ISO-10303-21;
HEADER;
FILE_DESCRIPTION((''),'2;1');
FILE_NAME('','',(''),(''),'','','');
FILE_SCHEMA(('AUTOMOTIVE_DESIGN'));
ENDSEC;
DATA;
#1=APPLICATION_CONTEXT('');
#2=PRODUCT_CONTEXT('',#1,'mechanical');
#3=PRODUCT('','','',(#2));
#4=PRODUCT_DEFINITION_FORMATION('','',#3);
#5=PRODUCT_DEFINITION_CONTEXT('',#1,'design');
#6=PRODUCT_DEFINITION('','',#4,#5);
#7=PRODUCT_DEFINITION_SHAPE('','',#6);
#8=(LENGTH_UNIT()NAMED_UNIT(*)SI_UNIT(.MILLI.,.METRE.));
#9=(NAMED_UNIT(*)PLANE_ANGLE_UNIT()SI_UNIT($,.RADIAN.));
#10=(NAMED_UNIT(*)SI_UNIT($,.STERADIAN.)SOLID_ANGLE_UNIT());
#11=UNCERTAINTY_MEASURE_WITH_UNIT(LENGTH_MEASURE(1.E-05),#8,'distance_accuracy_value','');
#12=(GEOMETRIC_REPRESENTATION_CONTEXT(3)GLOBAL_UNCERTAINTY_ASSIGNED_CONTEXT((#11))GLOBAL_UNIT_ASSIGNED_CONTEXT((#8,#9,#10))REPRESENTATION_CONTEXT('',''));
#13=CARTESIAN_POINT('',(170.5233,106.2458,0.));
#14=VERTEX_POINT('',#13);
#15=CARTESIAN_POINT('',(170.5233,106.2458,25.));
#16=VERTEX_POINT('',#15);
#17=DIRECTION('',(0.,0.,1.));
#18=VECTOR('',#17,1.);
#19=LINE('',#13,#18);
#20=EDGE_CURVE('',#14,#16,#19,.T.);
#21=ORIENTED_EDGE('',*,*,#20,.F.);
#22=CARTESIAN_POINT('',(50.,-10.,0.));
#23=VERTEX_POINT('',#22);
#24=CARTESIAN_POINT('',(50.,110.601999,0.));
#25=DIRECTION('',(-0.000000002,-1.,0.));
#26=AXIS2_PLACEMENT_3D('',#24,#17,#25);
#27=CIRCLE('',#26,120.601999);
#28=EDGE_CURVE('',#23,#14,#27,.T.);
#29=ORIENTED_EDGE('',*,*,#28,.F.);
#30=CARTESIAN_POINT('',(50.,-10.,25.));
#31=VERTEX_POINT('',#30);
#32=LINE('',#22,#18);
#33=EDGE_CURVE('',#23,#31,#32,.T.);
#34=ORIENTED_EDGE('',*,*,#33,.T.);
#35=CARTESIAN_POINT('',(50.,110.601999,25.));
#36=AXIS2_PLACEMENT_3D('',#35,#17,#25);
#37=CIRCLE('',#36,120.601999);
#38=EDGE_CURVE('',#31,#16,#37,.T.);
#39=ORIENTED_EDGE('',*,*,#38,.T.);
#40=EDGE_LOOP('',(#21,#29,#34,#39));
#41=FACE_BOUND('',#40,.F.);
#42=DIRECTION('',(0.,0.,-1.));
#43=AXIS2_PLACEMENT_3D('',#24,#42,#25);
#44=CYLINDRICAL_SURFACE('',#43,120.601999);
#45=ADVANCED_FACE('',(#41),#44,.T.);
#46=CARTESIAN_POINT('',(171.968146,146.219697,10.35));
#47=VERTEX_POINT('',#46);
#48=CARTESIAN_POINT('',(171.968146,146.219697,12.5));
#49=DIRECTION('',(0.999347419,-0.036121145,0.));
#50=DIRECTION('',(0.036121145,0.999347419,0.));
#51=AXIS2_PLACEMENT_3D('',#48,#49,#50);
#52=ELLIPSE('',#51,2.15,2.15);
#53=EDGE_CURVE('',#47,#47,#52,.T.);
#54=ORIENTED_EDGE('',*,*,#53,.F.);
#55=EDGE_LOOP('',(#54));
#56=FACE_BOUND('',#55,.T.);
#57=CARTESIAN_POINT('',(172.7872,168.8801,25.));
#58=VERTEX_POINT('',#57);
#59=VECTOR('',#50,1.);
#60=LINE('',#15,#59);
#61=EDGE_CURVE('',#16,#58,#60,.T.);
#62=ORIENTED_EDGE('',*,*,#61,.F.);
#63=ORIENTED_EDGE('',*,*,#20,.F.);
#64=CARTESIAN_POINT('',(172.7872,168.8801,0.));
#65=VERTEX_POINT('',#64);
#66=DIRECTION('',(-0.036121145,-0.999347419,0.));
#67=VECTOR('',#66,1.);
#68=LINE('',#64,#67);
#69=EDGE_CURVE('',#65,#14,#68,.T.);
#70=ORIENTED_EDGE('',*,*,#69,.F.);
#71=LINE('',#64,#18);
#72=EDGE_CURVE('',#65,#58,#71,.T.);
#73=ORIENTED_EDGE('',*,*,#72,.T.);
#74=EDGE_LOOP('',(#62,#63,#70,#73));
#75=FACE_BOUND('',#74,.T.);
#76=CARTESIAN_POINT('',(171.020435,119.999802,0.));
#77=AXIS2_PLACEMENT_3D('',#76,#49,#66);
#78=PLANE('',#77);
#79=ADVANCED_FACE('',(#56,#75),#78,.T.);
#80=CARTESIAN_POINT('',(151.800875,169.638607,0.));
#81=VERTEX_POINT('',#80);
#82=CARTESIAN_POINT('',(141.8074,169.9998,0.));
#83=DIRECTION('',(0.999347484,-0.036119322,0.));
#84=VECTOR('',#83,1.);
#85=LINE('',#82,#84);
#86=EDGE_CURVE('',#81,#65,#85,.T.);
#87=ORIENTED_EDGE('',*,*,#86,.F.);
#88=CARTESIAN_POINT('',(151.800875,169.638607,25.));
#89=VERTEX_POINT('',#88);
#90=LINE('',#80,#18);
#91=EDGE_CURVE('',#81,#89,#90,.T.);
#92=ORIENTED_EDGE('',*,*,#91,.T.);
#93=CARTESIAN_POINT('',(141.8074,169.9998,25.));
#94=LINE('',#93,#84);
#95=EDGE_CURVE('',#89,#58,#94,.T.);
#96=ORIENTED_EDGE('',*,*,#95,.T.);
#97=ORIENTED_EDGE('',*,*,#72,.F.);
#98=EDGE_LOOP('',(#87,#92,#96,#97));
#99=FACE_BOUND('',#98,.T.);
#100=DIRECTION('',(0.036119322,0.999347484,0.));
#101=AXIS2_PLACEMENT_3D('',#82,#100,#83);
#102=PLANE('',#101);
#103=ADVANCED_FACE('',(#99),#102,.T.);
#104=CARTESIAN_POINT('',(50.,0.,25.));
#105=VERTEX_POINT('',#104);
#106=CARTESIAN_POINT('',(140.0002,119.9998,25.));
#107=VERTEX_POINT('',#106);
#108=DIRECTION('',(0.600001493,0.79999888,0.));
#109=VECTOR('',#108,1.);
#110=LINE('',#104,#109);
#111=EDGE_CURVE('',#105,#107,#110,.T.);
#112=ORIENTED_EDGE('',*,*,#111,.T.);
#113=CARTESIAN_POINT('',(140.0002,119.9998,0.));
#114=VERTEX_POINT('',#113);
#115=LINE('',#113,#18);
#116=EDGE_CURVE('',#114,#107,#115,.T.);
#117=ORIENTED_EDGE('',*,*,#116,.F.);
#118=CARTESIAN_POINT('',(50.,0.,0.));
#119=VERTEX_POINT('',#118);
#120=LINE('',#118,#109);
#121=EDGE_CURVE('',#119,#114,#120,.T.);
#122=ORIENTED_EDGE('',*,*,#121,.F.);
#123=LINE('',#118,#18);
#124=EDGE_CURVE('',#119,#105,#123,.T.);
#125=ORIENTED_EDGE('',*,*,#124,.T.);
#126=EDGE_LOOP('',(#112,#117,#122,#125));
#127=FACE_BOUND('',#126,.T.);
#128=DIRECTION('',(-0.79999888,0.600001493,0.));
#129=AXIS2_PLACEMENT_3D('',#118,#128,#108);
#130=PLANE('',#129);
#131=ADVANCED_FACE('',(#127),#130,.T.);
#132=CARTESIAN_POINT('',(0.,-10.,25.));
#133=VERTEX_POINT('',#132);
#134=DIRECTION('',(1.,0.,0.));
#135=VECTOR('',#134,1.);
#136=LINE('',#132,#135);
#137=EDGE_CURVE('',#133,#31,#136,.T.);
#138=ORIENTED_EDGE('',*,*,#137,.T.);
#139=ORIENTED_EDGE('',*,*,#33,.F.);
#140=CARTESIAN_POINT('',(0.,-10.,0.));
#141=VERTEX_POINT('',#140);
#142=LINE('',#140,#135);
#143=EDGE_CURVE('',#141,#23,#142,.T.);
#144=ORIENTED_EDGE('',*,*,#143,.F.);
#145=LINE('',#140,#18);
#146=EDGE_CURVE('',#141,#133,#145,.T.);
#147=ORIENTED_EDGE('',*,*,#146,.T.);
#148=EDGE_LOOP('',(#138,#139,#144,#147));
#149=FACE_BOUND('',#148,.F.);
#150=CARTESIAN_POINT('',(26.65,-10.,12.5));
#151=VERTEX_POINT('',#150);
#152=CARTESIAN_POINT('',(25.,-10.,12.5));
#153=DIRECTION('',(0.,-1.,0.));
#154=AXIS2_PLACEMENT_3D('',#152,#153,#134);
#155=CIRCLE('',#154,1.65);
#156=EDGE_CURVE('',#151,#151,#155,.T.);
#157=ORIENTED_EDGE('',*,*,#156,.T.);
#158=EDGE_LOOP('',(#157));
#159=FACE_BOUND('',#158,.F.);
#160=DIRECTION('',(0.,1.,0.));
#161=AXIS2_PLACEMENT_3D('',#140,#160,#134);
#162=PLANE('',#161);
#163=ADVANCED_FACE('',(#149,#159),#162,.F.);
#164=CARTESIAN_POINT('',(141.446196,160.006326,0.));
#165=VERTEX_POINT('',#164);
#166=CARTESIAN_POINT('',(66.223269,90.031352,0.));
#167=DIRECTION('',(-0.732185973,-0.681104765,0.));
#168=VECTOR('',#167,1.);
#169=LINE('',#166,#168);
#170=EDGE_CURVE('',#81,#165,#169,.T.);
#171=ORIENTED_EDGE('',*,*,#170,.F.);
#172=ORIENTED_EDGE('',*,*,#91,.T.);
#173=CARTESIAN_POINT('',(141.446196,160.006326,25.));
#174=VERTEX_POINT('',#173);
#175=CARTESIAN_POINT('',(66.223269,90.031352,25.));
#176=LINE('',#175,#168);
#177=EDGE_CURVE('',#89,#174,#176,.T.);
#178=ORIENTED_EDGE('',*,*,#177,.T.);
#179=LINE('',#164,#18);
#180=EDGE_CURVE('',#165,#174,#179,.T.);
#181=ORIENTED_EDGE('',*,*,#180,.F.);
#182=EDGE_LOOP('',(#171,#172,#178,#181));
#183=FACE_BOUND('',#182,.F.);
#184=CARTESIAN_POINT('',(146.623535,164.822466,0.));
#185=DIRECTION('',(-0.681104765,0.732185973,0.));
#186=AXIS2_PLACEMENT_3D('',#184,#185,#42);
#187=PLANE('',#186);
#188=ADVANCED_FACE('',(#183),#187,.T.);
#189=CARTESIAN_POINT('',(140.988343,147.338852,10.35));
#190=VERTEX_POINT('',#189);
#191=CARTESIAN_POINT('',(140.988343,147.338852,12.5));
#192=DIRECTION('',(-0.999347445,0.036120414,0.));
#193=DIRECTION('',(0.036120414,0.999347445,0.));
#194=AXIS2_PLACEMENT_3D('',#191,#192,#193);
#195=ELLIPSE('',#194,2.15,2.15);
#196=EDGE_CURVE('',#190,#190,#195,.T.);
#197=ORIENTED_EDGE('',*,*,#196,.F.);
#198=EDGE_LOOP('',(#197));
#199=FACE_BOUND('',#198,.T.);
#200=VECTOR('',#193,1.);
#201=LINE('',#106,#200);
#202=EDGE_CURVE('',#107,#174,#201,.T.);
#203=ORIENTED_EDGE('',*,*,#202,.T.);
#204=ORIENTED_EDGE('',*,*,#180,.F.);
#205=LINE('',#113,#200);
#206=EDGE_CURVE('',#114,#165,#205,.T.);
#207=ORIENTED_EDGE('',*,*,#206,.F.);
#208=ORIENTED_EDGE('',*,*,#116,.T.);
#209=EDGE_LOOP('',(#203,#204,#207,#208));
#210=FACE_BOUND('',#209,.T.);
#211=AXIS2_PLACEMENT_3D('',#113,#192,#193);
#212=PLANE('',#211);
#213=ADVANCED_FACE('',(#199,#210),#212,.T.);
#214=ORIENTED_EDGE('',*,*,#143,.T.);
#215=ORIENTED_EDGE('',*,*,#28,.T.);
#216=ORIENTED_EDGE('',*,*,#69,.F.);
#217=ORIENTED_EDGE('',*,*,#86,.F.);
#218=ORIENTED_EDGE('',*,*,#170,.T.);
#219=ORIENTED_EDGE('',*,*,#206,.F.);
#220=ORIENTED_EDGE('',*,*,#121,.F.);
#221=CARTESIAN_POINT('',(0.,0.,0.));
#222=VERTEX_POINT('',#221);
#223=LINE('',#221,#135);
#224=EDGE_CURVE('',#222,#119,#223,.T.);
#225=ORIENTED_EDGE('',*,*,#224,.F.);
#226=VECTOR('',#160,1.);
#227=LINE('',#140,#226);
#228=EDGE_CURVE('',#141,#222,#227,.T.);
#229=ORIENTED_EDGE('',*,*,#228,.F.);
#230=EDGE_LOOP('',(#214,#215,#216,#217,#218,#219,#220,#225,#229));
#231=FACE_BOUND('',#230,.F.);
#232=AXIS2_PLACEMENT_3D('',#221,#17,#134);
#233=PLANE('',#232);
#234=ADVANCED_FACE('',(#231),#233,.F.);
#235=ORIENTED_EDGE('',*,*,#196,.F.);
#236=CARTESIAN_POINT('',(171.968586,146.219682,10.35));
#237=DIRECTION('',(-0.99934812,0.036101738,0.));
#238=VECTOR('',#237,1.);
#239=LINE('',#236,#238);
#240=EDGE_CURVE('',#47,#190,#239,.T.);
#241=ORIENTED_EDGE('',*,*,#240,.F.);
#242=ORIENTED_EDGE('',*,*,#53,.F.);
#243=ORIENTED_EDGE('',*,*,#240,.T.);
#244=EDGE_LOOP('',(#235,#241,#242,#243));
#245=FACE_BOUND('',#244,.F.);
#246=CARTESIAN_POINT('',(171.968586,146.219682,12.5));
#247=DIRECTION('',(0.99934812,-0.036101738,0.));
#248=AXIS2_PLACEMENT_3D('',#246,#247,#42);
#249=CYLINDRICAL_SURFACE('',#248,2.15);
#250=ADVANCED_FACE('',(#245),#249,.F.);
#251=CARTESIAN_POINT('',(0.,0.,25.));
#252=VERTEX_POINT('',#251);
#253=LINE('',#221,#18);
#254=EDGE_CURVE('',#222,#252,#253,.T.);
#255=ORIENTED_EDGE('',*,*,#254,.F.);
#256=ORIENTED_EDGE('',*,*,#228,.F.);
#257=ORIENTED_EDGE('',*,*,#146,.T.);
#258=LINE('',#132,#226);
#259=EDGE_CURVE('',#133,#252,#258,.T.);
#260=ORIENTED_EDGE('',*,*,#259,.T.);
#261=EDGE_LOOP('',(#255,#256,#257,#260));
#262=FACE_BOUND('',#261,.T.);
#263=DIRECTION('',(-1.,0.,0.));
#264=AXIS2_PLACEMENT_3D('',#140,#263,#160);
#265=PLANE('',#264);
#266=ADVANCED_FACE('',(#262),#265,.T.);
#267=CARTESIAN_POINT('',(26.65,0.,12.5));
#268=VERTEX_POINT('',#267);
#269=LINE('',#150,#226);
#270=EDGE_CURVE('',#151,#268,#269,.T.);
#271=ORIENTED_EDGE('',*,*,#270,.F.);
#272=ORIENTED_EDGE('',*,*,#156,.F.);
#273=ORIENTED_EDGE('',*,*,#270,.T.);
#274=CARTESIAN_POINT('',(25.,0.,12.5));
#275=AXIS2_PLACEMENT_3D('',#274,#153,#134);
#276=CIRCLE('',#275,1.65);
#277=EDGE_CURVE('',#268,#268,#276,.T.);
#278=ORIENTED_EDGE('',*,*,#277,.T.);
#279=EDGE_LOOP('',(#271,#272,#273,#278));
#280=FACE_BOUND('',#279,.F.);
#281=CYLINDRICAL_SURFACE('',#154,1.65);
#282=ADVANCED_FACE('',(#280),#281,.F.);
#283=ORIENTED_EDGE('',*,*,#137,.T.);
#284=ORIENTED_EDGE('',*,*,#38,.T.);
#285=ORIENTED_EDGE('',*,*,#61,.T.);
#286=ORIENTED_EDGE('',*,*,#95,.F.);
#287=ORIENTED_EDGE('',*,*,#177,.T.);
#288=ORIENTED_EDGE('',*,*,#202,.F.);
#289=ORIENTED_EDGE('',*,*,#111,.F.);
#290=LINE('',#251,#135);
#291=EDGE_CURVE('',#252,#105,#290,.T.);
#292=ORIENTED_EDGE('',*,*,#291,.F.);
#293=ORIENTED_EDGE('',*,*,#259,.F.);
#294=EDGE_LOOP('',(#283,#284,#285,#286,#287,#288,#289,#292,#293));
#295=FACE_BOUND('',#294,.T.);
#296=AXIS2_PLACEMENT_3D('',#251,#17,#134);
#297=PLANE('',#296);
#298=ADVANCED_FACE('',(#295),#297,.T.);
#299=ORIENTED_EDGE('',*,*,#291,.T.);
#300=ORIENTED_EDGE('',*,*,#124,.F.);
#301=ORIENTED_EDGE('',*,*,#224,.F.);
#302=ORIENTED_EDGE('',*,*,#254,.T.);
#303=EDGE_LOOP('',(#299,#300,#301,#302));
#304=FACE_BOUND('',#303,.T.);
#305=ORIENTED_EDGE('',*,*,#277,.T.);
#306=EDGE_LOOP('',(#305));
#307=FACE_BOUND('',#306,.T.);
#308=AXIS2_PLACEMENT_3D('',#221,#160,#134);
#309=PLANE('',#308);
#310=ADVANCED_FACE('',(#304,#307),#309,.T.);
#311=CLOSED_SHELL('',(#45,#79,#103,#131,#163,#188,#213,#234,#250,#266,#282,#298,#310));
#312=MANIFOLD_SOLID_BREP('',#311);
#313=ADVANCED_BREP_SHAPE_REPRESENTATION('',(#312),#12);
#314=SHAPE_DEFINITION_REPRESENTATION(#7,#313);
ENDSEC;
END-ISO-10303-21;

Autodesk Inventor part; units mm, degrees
ref_plane "YZ Plane" through (0, 0, 0) normal (1, 0, 0) x (0, 1, 0)
ref_plane "XZ Plane" through (0, 0, 0) normal (0, 1, 0) x (-1, 0, 0)
ref_plane "XY Plane" through (0, 0, 0) normal (0, 0, 1) x (1, 0, 0)
sketch "Sketch1" plane through (0, 0, 0) normal (0, 0, 1) x (1, 0, 0)
  line L0 (0, 0) -> (50, 0)
  line L1 (50, 0) -> (140.0002, 119.9998)
  line L2 (140.0002, 119.9998) -> (141.8074, 169.9998)
  line L3 (172.7872, 168.8801) -> (170.5233, 106.2458)
  line L4 (0, -10) -> (50, -10)
  arc A0 (50, -10) -> (170.5233, 106.2458) centre (50, 110.602) ccw
  line L5 (0, -10) -> (0, 0)
  line L6 (141.8074, 169.9998) -> (172.7872, 168.8801)
  line L7 (140.0002, 119.9998) -> (171.0205, 119.9998)
  dimension "d0" = 150
  dimension "d1" = 126.87
  dimension "d2" = 50
  dimension "d3" = 145.2
  dimension "d4" = 31
  dimension "d5" = 10
  dimension "d6" = 50
extrude "Extrusion1" add sketch "Sketch1" along normal blind 25
sketch "Sketch2" plane through (0, -10, 0) normal (0, -1, 0) x (1, 0, 0)
  line L0 (0, 0) -> (50, 0) projected
  line L1 (50, 0) -> (50, 25) projected
  line L2 (0, 25) -> (50, 25) projected
  line L3 (0, 0) -> (0, 25) projected
  circle A0 centre (25, 12.5) radius 1.65
  point P0 (50, 12.5)
  point P1 (25, 25)
  dimension "d9" = 3.3
extrude "Extrusion2" cut sketch "Sketch2" against normal through all contours A0
sketch "Sketch3" plane through (172.7872, 168.8801, 25) normal (0.9993, -0.0361, 0) x (0, 0, -1)
  line L0 (25, -62.6752) -> (25, 0) projected
  line L1 (25, 0) -> (0, 0) projected
  line L2 (0, -62.6752) -> (0, 0) projected
  line L3 (25, -62.6752) -> (0, -62.6752) projected
  circle A0 centre (12.5, -22.6752) radius 2.15
  point P0 (25, -175.0111)
  point P1 (12.5, -62.6752)
  dimension "d12" = 4.3
  dimension "d13" = 40
extrude "Extrusion3" cut sketch "Sketch3" against normal through all contours A0
chamfer "Chamfer1" distance 10 angle 45 1 edges at (141.8074, 169.9998, 12.5)
properties part number "ESQUINA_REDONDEADA_TRASERA" material "Steel, Mild, Welded"
